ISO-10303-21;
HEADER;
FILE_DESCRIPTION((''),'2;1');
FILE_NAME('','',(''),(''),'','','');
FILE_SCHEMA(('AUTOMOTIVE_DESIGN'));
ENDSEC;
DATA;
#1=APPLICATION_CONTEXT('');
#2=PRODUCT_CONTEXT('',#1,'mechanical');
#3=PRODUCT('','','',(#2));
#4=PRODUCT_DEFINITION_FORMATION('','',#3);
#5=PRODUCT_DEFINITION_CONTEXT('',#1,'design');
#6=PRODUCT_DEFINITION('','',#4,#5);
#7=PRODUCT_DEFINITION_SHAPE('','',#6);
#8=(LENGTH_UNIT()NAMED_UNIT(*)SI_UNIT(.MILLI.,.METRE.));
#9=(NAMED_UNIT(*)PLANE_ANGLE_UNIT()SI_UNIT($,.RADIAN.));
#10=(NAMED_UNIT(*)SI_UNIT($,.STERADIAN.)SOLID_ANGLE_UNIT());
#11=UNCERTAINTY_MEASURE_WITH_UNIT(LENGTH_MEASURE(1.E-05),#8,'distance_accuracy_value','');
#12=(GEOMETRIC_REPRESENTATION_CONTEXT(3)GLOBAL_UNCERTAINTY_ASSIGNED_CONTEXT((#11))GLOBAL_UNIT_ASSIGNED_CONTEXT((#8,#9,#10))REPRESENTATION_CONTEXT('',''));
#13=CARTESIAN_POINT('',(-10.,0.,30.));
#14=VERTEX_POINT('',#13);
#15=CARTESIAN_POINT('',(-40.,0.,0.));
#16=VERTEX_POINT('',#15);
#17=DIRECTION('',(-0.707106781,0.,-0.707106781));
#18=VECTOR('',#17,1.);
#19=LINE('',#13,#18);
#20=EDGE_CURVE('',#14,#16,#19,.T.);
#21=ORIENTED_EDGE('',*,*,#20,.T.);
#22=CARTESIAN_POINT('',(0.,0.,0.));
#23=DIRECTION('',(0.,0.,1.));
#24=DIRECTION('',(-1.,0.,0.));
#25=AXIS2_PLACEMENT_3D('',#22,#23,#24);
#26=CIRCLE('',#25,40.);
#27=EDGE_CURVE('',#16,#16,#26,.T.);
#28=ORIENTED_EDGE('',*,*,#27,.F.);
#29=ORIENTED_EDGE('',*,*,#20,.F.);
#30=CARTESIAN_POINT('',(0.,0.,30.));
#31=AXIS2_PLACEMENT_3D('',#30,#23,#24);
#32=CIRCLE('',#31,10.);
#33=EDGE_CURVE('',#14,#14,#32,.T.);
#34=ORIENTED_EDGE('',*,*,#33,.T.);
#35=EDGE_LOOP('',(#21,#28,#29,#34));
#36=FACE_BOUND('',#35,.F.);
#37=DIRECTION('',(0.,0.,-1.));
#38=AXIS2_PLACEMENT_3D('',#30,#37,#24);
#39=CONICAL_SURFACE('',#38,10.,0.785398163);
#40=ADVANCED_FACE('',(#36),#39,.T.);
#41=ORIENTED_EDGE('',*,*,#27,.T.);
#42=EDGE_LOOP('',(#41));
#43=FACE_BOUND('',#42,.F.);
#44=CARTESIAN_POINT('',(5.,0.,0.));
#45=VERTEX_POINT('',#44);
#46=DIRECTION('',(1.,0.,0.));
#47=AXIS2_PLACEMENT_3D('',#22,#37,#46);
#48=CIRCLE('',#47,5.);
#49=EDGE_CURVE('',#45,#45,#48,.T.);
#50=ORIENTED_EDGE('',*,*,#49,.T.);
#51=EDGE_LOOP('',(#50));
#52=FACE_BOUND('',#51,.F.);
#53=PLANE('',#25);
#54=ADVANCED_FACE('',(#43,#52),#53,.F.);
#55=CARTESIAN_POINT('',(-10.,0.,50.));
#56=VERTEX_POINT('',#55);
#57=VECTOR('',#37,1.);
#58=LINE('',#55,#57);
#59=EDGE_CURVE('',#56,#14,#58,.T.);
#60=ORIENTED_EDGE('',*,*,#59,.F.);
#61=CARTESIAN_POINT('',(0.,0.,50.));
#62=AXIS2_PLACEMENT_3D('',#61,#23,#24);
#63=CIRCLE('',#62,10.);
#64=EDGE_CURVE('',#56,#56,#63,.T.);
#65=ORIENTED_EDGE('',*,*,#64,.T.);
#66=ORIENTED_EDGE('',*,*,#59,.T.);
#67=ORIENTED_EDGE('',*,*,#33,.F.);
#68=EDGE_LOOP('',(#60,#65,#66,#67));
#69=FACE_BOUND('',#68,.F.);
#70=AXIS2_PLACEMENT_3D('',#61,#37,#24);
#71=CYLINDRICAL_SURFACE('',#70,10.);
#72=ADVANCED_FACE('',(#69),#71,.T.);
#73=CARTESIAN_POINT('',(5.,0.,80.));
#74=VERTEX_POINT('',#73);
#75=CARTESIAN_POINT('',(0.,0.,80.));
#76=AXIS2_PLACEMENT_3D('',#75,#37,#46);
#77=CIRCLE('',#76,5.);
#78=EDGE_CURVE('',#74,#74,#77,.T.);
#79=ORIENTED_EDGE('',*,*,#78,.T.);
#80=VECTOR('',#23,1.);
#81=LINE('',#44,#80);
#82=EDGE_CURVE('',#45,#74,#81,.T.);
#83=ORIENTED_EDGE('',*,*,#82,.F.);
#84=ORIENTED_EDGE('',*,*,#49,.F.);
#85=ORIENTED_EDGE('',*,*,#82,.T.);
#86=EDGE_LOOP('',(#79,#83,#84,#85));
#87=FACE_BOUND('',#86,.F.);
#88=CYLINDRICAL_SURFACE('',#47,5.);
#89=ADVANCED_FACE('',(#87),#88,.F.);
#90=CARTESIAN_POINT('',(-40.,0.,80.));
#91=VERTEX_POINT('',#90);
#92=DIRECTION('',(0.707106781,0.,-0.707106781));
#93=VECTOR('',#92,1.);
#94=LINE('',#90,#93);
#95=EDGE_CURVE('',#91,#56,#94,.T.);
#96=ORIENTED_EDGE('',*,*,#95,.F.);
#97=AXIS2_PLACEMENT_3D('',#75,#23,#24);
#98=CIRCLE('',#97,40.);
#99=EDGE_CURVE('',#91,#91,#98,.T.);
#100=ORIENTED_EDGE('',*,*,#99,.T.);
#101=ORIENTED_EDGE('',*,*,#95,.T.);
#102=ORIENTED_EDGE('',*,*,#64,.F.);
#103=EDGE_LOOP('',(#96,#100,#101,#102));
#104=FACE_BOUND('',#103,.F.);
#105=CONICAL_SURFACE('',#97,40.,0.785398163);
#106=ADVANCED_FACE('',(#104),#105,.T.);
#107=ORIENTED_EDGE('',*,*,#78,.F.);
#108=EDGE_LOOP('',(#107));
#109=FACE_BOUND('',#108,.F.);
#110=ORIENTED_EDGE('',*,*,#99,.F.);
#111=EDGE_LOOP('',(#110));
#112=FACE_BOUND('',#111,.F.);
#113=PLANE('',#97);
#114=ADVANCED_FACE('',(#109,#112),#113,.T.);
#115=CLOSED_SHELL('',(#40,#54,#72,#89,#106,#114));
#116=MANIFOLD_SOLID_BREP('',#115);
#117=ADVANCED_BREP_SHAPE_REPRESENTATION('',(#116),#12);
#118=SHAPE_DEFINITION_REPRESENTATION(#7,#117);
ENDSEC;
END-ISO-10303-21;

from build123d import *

# Parameters (mm, degrees)
F2_R     = 5
F3_DEPTH = 80


with BuildPart() as f1:
    # F0 (on Front) → F1 (revolve)
    with BuildSketch(Plane.XZ):
        Polygon((-40, 0), (0, 0), (0, 80), (-40, 80), (-10, 50), (-10, 30), align=None)
    revolve(axis=Axis((0, 0, 40), (0, 0, 1)))

    # F2 (on face) → F3 (cut, through all)
    with BuildSketch(Plane(origin=(0, 0, 0), x_dir=(1, 0, 0), z_dir=(0, 0, -1))):
        Circle(F2_R)
    extrude(amount=-F3_DEPTH, mode=Mode.SUBTRACT)


solid = f1.part
